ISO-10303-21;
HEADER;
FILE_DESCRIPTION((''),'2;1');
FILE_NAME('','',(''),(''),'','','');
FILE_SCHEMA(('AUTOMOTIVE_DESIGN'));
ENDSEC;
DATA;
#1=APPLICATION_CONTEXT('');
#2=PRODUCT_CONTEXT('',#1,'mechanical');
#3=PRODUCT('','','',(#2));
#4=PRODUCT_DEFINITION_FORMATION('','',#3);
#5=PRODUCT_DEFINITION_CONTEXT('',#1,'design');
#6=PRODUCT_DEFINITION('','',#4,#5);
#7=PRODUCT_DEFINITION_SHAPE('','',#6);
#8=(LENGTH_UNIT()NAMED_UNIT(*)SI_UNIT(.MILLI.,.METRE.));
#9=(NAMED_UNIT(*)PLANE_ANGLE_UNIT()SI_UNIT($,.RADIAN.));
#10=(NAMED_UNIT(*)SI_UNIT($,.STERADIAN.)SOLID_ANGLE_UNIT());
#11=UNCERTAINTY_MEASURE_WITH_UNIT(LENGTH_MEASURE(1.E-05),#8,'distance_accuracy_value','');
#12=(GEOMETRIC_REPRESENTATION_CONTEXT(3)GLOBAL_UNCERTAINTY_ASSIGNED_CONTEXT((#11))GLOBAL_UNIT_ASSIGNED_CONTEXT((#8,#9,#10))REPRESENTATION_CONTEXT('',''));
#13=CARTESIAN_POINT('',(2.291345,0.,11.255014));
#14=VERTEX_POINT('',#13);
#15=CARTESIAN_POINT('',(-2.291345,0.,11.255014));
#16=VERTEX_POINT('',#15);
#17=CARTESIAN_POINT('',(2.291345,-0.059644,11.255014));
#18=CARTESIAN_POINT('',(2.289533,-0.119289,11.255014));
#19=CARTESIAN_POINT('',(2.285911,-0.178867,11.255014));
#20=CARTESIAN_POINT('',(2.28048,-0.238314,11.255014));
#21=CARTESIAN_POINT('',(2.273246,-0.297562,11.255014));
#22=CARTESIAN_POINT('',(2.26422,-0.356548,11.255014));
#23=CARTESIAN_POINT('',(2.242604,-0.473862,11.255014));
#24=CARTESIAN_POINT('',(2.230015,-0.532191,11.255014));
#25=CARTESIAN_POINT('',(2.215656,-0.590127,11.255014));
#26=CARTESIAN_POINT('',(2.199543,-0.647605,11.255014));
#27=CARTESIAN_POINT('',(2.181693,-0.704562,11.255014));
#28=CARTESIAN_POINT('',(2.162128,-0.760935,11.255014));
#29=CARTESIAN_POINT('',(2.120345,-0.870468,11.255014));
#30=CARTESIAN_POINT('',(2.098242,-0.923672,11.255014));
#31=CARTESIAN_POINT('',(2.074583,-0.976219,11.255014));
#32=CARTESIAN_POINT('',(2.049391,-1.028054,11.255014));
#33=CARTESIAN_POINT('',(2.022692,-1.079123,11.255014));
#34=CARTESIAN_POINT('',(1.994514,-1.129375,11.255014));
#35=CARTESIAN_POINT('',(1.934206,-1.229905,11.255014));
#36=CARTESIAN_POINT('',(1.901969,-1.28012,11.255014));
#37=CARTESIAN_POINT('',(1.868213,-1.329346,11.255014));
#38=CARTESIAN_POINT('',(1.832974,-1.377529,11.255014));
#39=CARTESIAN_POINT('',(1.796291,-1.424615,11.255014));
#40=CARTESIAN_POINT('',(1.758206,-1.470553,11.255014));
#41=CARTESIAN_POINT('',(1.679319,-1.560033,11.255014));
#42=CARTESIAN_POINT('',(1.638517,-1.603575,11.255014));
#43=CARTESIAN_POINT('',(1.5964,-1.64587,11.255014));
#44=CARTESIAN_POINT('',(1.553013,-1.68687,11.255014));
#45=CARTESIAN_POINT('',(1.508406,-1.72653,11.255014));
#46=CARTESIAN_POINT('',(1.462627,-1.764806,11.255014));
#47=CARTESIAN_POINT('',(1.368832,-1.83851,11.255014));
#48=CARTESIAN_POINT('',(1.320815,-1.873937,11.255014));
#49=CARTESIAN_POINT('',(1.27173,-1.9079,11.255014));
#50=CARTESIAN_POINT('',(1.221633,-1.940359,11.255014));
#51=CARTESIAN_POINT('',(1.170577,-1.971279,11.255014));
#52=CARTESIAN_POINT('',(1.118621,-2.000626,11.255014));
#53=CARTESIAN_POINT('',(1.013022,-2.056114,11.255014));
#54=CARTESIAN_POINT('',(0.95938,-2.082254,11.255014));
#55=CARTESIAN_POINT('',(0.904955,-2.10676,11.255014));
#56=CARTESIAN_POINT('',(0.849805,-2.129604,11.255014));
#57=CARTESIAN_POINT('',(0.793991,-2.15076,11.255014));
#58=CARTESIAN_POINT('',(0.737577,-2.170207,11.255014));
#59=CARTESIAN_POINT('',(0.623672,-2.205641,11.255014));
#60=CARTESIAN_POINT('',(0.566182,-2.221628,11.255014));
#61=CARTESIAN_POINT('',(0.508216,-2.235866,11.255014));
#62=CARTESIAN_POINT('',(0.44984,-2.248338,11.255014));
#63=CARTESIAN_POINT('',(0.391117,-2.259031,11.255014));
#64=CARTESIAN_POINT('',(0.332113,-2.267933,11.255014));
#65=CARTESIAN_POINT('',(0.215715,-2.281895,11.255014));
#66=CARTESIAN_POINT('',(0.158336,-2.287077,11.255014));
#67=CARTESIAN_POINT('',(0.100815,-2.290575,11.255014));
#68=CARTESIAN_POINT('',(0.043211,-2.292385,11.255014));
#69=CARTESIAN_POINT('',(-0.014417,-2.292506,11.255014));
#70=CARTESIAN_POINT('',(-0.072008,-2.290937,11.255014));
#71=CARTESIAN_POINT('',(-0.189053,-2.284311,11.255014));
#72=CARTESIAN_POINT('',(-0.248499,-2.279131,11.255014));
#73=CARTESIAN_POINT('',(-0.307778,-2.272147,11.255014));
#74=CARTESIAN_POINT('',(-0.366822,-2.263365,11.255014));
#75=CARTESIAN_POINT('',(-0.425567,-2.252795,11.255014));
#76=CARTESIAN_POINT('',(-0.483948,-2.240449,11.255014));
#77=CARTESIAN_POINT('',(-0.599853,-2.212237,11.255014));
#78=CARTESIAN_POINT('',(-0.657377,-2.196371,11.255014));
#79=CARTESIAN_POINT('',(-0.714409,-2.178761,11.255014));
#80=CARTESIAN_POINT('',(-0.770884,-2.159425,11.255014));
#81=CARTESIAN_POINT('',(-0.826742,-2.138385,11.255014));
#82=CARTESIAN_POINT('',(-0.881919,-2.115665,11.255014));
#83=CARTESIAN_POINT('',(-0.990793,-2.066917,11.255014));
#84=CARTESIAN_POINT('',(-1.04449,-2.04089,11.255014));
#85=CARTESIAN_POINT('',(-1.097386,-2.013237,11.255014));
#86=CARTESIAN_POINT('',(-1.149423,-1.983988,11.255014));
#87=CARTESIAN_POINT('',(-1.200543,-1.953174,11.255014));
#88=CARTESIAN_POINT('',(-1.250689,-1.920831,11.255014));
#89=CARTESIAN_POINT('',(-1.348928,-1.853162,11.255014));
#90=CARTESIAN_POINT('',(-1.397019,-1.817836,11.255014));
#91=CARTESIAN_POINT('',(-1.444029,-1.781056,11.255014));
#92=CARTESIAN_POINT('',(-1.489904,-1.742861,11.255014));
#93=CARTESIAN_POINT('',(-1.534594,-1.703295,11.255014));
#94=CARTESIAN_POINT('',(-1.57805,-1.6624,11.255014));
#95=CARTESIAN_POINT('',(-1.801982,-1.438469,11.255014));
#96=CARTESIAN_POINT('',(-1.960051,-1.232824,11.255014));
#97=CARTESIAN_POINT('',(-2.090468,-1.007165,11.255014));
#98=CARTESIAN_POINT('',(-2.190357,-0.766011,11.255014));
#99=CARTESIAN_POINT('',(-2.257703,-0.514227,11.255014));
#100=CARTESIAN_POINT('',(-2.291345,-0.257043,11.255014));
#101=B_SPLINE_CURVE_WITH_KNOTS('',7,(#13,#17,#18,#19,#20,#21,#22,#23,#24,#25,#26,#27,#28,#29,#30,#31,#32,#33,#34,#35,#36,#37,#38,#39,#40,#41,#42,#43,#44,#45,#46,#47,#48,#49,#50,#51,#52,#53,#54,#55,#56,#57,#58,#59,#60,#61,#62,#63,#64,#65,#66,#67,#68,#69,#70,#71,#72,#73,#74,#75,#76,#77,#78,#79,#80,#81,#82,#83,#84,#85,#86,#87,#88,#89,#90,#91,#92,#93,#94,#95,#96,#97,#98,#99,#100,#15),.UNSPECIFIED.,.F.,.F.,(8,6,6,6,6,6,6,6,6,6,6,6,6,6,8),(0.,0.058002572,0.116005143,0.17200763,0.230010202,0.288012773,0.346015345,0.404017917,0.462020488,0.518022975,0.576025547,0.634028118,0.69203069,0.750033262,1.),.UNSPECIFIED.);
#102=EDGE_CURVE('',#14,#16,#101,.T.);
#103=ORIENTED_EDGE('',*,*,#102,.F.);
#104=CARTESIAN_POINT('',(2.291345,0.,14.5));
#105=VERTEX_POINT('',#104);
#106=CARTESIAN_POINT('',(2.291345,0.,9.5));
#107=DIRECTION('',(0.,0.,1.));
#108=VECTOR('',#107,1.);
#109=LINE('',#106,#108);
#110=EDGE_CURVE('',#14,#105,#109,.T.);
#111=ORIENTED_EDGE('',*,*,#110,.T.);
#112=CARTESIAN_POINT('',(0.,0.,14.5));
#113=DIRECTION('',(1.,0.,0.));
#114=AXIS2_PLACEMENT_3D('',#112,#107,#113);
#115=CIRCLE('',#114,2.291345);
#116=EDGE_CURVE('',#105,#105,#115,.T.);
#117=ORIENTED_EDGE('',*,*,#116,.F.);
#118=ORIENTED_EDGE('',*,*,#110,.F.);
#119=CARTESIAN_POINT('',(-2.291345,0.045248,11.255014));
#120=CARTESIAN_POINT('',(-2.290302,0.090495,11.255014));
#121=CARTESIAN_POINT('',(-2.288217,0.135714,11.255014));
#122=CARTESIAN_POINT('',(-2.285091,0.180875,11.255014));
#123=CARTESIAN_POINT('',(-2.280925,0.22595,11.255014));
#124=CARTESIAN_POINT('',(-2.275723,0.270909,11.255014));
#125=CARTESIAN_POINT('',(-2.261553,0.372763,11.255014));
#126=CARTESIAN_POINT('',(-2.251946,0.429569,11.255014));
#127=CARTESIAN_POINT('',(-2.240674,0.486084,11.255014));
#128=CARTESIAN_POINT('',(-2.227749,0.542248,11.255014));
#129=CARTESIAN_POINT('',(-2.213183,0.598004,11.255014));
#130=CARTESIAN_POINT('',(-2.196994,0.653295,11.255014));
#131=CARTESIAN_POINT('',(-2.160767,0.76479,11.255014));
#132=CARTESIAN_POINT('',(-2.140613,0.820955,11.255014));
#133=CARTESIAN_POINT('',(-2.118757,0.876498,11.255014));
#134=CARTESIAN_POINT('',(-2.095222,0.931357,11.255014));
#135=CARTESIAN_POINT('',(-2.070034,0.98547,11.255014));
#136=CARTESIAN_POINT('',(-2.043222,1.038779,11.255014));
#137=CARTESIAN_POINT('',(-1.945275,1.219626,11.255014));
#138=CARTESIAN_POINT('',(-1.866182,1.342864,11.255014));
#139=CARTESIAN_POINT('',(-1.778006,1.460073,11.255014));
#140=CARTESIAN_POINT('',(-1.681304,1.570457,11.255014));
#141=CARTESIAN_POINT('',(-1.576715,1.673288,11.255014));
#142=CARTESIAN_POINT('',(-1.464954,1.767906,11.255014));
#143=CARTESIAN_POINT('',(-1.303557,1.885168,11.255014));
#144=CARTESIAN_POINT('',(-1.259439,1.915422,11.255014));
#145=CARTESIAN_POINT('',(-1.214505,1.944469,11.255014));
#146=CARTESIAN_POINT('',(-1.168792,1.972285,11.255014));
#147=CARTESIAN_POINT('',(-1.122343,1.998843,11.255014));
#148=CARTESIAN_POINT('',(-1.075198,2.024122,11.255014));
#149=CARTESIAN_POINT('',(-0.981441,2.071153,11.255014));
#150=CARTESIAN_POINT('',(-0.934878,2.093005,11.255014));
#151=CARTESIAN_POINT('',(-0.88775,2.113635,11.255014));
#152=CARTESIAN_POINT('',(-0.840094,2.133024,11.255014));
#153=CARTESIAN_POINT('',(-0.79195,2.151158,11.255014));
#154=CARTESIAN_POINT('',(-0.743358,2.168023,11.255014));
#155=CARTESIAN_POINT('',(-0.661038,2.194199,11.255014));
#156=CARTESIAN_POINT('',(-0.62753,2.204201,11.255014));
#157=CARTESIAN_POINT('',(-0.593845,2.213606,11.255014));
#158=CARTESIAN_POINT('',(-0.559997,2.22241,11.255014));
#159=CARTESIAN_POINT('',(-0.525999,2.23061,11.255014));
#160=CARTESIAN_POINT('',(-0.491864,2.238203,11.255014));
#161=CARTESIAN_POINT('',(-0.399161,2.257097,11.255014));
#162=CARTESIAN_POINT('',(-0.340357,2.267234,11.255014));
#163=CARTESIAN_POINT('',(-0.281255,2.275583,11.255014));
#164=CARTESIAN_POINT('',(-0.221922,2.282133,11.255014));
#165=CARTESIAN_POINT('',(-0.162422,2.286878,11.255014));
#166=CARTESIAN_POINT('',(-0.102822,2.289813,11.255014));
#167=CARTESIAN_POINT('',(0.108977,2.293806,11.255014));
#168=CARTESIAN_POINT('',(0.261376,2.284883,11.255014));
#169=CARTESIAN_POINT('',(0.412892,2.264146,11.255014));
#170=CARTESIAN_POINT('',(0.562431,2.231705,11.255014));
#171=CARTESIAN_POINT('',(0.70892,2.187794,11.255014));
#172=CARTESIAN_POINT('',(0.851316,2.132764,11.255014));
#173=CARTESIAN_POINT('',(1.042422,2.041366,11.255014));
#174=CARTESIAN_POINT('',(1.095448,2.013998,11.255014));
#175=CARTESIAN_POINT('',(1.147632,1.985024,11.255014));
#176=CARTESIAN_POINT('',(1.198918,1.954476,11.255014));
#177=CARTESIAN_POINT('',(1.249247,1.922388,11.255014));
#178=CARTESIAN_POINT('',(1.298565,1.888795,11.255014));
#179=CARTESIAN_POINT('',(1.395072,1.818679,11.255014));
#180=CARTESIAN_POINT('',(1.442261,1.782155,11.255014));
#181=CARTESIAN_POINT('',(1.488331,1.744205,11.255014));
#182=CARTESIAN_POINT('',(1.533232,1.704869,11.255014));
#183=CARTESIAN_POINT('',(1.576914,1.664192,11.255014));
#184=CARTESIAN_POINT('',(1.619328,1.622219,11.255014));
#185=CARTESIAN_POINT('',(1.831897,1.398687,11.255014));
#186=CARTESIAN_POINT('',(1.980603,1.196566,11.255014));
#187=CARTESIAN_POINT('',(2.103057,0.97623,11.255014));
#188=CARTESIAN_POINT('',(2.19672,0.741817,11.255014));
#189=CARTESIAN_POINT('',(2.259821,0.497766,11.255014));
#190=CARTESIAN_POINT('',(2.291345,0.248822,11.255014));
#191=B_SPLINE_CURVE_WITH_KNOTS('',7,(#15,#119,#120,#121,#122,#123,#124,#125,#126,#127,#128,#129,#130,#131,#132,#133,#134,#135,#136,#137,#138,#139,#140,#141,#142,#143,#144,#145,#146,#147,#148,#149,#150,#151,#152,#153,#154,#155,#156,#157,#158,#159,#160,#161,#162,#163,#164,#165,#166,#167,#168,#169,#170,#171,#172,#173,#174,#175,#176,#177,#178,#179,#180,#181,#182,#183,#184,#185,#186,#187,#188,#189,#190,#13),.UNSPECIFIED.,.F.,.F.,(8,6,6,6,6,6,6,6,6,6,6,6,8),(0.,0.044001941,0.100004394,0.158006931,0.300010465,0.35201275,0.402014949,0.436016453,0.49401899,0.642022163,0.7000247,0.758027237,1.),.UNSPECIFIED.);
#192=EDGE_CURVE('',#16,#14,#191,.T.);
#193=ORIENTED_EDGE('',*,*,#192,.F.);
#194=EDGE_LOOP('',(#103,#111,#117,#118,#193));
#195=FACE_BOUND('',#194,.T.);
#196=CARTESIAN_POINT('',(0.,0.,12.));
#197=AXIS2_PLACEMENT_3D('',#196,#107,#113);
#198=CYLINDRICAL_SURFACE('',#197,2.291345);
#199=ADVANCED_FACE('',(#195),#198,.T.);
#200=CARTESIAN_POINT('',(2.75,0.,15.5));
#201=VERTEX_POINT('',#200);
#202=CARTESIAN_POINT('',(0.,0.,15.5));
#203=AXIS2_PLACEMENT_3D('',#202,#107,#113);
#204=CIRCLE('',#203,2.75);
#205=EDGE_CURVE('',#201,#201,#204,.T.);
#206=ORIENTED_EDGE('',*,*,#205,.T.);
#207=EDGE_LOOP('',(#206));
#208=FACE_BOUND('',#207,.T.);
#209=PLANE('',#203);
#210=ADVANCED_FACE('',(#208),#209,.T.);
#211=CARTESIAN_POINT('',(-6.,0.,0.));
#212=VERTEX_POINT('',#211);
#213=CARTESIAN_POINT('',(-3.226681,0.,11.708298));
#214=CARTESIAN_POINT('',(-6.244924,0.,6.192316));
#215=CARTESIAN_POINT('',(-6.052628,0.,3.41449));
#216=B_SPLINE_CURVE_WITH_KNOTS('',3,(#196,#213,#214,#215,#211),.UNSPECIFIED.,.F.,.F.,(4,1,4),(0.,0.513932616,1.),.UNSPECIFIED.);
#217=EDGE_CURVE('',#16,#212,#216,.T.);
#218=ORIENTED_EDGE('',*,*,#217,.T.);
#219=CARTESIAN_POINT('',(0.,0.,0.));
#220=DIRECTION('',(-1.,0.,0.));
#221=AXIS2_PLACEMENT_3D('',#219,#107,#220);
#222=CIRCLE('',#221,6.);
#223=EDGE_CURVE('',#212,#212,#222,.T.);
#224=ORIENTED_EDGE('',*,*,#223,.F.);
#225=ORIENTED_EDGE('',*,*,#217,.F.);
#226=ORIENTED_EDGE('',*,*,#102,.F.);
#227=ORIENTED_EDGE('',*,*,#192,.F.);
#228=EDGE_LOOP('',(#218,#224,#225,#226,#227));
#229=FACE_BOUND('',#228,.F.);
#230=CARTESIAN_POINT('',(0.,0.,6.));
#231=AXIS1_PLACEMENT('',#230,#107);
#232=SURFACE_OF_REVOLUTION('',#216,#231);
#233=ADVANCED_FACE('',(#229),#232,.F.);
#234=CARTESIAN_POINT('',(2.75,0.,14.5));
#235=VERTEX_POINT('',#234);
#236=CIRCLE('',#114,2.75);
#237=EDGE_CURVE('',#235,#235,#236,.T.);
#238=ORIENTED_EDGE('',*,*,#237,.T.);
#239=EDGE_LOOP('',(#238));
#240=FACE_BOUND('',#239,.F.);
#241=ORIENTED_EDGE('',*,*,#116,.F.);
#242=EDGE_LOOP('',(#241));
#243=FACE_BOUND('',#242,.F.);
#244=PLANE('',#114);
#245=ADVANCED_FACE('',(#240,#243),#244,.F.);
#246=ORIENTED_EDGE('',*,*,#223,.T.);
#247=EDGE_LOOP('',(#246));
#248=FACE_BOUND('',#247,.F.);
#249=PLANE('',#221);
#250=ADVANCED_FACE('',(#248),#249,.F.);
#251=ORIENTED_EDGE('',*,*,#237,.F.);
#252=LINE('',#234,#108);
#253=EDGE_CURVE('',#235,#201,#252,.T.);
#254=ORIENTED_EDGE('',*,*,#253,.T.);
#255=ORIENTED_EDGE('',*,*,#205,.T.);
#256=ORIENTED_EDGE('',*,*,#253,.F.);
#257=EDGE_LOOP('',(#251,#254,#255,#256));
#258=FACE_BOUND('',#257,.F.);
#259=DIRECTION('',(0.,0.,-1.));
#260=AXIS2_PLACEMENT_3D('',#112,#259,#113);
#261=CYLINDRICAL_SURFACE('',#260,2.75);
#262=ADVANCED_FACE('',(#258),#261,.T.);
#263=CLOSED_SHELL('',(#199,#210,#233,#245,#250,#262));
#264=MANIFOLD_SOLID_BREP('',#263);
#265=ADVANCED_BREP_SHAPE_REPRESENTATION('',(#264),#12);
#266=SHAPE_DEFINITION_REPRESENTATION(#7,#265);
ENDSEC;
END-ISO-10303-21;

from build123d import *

# Parameters (mm, degrees)
F3_R     = 2.291344539
F4_DEPTH = 2.5
F5_R     = 2.75
F6_DEPTH = 1


with BuildPart() as f1:
    # F0 (on Front) → F1 (revolve)
    with BuildSketch(Plane.XZ):
        with BuildLine():
            Line((-6, 0), (0, 0))
            Line((0, 0), (0, 12))
            add(Edge.make_bspline(
                [(0, 12), (-3.2266811418, 11.7082983458), (-6.2449243477, 6.1923159091), (-6.0526283931, 3.414490179), (-6, 0)],
                knots=[0, 0, 0, 0, 0.5139326164, 1, 1, 1, 1], degree=3))
        make_face()
    revolve(axis=Axis((0, 0, 6), (0, 0, 1)))

    # F3 (on offset) → F4 (join, symmetric)
    with BuildSketch(Plane.XY.offset(12)):
        Circle(F3_R)
    extrude(amount=F4_DEPTH, both=True)

    # F5 (on face) → F6 (join)
    with BuildSketch(Plane.XY.offset(14.5)):
        Circle(F5_R)
    extrude(amount=F6_DEPTH)


solid = f1.part
